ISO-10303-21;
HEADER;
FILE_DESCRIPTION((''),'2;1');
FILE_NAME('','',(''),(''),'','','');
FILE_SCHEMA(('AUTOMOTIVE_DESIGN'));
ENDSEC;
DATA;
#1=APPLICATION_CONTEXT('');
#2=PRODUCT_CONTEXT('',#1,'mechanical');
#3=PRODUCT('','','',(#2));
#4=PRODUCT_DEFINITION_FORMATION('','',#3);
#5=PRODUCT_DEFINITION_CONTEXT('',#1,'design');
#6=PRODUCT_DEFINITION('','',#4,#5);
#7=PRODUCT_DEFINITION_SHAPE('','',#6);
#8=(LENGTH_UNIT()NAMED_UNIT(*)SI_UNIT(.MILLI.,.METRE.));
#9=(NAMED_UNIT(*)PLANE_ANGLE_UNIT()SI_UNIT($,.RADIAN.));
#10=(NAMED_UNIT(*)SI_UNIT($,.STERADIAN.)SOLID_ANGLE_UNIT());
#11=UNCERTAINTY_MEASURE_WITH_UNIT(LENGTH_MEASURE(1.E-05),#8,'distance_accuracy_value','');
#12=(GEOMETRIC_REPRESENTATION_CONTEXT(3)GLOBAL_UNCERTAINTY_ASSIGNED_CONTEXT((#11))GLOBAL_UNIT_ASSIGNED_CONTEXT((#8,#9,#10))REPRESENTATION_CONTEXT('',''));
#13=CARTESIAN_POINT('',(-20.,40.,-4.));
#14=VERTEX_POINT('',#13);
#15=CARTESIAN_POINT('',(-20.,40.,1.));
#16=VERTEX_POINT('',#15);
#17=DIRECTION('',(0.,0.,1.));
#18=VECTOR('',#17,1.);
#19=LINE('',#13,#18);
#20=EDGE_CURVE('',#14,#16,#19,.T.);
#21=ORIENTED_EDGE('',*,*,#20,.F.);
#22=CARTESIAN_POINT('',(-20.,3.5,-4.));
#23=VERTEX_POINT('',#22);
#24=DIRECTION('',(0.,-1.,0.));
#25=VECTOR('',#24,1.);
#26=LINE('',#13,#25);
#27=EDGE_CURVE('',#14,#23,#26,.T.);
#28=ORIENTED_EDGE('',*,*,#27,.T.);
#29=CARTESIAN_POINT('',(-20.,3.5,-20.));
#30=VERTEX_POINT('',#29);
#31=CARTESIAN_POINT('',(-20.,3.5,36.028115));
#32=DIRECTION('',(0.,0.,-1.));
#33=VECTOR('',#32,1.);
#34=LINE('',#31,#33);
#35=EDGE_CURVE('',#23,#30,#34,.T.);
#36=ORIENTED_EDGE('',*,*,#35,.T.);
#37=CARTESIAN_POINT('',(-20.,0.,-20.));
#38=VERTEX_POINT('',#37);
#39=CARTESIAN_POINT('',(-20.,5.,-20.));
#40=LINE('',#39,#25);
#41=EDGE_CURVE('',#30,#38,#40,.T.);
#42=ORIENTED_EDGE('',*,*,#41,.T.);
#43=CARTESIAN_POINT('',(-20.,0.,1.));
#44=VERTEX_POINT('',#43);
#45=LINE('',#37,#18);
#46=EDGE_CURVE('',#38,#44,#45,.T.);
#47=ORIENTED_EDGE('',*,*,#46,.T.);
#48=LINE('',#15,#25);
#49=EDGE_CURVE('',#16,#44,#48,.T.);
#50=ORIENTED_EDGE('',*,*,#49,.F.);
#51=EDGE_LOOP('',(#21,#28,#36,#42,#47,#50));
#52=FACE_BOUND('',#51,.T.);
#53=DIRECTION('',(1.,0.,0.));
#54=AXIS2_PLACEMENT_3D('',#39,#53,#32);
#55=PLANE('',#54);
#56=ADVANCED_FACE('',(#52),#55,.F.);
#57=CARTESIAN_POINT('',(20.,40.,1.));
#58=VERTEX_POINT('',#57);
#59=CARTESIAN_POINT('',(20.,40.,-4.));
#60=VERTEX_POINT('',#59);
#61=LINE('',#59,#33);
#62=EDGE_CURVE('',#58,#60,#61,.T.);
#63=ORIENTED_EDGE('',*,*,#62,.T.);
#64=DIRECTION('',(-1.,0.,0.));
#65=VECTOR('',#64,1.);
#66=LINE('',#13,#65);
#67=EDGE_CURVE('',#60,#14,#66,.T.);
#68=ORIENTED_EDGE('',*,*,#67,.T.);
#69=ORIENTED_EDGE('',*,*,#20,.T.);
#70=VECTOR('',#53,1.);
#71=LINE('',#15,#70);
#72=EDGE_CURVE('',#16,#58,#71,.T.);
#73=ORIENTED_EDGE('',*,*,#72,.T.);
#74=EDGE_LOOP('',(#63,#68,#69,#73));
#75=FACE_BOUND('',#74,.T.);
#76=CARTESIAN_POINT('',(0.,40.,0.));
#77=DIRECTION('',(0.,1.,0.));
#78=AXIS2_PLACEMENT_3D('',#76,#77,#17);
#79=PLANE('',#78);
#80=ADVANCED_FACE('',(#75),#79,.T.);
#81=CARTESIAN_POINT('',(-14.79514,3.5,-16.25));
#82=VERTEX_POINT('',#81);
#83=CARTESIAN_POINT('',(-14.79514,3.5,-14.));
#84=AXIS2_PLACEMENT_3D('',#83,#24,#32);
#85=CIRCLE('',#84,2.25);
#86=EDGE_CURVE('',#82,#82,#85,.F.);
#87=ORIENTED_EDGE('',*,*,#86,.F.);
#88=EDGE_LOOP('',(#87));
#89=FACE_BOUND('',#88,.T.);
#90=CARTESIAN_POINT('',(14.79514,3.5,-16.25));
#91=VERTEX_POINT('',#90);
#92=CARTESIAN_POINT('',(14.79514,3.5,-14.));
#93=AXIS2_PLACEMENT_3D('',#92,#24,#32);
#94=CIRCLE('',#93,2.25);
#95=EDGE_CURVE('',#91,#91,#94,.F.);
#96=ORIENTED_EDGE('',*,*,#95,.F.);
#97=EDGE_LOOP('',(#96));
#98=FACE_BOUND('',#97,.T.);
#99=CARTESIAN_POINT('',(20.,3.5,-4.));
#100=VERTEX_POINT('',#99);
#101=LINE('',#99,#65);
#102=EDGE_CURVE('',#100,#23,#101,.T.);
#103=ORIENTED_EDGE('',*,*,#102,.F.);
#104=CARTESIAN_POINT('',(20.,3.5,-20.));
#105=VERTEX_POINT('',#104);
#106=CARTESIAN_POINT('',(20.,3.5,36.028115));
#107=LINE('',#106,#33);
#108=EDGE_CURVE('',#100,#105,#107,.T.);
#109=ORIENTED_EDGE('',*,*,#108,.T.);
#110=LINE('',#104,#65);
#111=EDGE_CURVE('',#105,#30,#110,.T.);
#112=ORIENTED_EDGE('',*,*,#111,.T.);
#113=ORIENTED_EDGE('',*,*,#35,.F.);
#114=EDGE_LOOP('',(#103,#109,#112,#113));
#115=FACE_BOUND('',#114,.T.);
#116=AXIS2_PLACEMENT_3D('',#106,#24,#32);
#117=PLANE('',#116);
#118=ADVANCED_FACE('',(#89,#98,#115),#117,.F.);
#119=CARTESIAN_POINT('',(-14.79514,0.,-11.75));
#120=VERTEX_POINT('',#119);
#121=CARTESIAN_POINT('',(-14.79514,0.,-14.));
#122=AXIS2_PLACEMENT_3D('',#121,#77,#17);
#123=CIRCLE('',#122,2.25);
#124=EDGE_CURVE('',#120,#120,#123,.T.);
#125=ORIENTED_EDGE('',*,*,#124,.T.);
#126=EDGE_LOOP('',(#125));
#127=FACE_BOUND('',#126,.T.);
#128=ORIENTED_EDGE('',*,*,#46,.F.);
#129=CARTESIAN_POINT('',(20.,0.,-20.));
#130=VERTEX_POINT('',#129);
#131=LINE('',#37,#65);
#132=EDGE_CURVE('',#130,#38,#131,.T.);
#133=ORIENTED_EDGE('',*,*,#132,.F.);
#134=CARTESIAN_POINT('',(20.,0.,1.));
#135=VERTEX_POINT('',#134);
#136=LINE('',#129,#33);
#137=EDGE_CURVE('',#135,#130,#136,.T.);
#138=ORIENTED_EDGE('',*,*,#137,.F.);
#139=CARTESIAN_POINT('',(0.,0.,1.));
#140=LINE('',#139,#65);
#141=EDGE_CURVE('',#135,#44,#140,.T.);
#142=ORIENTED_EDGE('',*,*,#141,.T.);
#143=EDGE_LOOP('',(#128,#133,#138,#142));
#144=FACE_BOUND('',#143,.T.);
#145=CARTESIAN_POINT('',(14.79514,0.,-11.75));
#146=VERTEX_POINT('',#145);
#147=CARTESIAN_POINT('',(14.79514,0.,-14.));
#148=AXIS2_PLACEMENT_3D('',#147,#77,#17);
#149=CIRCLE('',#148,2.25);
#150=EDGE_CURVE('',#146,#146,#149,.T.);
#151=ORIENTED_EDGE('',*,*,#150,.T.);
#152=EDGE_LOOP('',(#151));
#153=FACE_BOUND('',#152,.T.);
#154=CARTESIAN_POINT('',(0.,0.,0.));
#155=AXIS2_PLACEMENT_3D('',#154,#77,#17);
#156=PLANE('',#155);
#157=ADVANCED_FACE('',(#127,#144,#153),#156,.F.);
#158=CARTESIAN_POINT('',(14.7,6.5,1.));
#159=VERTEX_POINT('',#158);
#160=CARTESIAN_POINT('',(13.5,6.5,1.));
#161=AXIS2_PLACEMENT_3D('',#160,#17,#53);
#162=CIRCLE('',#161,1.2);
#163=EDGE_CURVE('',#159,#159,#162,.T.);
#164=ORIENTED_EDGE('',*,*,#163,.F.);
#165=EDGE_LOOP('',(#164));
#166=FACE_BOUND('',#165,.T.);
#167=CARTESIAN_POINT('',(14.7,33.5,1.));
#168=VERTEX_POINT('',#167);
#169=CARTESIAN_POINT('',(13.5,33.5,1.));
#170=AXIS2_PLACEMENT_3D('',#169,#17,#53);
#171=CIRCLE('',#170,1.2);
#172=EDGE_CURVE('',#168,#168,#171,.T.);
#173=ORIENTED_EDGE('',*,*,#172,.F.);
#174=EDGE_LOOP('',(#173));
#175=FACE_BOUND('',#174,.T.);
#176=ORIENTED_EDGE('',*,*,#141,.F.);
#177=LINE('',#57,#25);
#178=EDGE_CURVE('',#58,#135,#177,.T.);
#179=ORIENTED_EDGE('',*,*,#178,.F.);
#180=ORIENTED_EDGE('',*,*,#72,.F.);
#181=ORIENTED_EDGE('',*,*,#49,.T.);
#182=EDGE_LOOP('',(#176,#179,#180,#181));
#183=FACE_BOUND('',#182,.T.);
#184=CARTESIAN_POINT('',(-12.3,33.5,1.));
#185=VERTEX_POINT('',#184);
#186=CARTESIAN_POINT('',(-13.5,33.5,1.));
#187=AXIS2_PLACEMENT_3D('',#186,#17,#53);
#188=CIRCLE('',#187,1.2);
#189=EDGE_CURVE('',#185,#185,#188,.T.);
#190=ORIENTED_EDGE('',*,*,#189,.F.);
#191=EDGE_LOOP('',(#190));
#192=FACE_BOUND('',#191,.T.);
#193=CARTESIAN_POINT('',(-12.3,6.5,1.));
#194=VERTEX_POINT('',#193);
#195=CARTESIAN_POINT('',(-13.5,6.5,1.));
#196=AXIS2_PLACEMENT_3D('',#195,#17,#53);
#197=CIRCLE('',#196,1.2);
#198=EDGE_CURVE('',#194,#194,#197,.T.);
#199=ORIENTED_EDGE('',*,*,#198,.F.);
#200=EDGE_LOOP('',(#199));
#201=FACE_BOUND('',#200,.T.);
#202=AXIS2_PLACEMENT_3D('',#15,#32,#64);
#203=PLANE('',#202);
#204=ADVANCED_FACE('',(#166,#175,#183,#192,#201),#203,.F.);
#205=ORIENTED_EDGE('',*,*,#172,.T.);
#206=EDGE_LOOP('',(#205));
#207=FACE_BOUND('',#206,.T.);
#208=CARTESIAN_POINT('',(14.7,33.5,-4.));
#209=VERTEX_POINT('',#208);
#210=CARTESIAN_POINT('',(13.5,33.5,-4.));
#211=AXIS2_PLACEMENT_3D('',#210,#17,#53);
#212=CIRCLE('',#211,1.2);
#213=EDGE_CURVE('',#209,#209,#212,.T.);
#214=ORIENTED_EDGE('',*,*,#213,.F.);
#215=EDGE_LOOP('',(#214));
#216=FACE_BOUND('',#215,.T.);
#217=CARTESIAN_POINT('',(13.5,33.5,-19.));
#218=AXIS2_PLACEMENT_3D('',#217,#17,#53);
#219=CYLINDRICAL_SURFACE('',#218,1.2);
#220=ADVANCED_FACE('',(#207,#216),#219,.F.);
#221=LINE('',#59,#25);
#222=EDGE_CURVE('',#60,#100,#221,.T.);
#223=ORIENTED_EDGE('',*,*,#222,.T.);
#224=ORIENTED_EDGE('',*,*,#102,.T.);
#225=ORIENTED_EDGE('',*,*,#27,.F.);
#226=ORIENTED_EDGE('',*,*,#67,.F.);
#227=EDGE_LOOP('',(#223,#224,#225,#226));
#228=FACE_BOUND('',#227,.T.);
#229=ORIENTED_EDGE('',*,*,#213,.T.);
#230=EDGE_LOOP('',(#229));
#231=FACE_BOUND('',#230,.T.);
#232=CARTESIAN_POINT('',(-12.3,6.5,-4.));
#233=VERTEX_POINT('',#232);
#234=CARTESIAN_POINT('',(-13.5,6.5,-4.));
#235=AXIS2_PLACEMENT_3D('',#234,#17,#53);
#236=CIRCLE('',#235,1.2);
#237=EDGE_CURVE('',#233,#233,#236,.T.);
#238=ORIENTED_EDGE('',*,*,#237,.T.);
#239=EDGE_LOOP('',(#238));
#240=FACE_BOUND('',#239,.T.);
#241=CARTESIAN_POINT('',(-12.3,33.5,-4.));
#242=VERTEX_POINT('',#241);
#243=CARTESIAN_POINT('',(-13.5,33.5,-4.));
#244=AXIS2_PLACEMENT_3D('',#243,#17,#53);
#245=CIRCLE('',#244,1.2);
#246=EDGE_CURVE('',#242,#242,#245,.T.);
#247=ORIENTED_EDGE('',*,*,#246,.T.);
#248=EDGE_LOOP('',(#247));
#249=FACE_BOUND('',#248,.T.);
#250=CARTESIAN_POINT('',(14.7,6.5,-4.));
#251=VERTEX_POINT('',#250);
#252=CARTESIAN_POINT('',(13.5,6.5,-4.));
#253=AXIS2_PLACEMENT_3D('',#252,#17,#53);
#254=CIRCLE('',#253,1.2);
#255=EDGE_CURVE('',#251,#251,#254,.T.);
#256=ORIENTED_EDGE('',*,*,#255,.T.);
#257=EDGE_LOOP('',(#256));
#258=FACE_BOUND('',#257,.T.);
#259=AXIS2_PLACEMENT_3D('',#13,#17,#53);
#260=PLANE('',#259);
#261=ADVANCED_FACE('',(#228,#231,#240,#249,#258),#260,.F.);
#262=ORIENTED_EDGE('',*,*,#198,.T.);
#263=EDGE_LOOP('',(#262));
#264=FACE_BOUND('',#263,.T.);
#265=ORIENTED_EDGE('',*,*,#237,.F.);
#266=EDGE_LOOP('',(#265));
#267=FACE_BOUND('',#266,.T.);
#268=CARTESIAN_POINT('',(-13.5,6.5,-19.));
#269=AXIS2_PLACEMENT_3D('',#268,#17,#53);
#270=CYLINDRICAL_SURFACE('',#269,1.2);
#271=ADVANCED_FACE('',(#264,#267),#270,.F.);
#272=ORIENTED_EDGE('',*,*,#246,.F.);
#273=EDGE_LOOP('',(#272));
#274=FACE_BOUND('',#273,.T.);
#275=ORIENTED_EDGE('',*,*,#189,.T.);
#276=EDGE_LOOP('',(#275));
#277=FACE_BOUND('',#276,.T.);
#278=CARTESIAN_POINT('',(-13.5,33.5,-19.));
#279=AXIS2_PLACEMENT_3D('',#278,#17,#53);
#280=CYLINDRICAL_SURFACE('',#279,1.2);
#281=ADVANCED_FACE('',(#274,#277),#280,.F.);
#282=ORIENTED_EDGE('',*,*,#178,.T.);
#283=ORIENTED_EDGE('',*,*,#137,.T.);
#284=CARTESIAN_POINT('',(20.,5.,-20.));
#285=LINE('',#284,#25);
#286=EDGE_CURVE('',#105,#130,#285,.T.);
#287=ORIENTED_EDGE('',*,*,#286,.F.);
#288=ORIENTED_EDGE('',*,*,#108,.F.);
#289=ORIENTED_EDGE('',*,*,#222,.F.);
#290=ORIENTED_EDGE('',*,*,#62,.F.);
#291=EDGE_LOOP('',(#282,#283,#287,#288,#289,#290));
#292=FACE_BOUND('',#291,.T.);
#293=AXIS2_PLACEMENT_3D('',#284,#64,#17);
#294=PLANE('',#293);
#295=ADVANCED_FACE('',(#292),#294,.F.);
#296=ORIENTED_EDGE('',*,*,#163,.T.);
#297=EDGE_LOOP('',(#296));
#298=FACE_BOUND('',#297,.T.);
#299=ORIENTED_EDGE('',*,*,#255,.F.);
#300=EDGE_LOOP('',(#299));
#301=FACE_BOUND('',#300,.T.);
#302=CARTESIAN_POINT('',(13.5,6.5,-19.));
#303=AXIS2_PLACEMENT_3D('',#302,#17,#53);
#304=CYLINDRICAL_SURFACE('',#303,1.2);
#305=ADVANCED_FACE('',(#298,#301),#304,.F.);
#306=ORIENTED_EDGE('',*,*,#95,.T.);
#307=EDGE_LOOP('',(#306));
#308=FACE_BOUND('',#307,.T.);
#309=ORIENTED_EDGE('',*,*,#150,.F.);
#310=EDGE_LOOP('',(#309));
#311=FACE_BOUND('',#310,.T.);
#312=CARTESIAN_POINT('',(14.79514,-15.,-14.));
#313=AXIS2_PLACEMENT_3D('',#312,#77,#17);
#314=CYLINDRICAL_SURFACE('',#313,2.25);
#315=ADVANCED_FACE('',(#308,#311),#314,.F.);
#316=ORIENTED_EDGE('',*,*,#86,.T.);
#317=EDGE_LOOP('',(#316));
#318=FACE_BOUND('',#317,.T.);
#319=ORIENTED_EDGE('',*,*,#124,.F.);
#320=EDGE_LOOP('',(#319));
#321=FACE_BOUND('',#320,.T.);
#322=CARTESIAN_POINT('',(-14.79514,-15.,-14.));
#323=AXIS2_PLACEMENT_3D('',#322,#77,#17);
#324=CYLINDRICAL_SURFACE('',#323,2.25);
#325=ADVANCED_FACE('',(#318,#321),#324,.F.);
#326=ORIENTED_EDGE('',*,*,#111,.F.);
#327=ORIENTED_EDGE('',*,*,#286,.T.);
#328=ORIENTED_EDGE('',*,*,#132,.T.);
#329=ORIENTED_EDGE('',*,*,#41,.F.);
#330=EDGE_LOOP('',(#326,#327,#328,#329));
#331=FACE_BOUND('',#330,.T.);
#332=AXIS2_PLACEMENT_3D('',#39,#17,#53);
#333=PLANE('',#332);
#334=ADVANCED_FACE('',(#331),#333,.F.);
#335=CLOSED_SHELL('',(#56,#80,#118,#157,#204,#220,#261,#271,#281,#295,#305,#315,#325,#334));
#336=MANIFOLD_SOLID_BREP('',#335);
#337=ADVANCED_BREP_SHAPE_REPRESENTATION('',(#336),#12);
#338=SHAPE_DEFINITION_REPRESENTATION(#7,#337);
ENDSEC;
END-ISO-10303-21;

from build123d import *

# Parameters (mm, degrees)
SKETCH_1_W          = 40
SKETCH_1_H          = 40
EXTRUDE_1_DEPTH     = 5
SKETCH_2_W          = 40
SKETCH_2_H          = 5
EXTRUDE_2_DEPTH     = 35
SKETCH_3_W          = 40
SKETCH_3_H          = 10
EXTRUDE_3_DEPTH     = 5
EXTRUDE_4_DEPTH     = 5
SKETCH_5_R          = 2.25
CUT_EXTRUDE_1_DEPTH = 20
CUT_EXTRUDE_2_DEPTH = 40
SKETCH_7_W          = 40
SKETCH_7_H          = 19
CUT_EXTRUDE_3_DEPTH = 20
SKETCH_8_W          = 40
SKETCH_8_H          = 1.5
CUT_EXTRUDE_4_DEPTH = 16
SKETCH_9_R          = 1.2
CUT_EXTRUDE_5_DEPTH = 20


with BuildPart() as part:
    # 草图1 → 凸台-拉伸1 (new body)
    with BuildSketch(Plane(origin=(0, 0, 0), x_dir=(1, 0, 0), z_dir=(0, 1, 0))):
        Rectangle(SKETCH_1_W, SKETCH_1_H)
    extrude(amount=EXTRUDE_1_DEPTH)

    # 草图2 → 凸台-拉伸2 (add)
    with BuildSketch(Plane(origin=(0, 5, 0), x_dir=(1, 0, 0), z_dir=(0, 1, 0))):
        with Locations((0, 1.5)):
            Rectangle(SKETCH_2_W, SKETCH_2_H)
    extrude(amount=EXTRUDE_2_DEPTH)

    # 草图3 → 凸台-拉伸3 (add)
    with BuildSketch(Plane.XZ):
        with Locations((0, 15)):
            Rectangle(SKETCH_3_W, SKETCH_3_H)
    extrude(amount=EXTRUDE_3_DEPTH)

    # 草图4 → 凸台-拉伸4 (add)
    with BuildSketch(Plane.XZ.offset(5)):
        Polygon((-20, 10), (-20, -20), (20, -20), (20, 10), (20, 20), (-20, 20), align=None)
    extrude(amount=EXTRUDE_4_DEPTH)

    # 草图5 → 切除-拉伸1 (cut)
    with BuildSketch(Plane(origin=(0, 5, 0), x_dir=(1, 0, 0), z_dir=(0, 1, 0))):
        with Locations(Location((-14.795139738, 14, 0), (0, 0, 90))):
            Circle(SKETCH_5_R)
        with Locations(Location((14.795139738, 14, 0), (0, 0, 90))):
            Circle(SKETCH_5_R)
    extrude(amount=-CUT_EXTRUDE_1_DEPTH, mode=Mode.SUBTRACT)

    # 草图6 → 切除-拉伸2 (cut)
    with BuildSketch(Plane.ZY.offset(20)):
        Polygon((10, 0), (20, 0), (20, -10), (-20, -10), (-20, -5), (10, -5), align=None)
    extrude(amount=-CUT_EXTRUDE_2_DEPTH, mode=Mode.SUBTRACT)

    # 草图7 → 切除-拉伸3 (cut)
    with BuildSketch(Plane(origin=(0, 5, 0), x_dir=(1, 0, 0), z_dir=(0, 1, 0))):
        with Locations((0, -10.5)):
            Rectangle(SKETCH_7_W, SKETCH_7_H)
    extrude(amount=-CUT_EXTRUDE_3_DEPTH, mode=Mode.SUBTRACT)

    # 草图8 → 切除-拉伸4 (cut)
    with BuildSketch(Plane(origin=(0, 0, -20), x_dir=(-1, 0, 0), z_dir=(0, 0, -1))):
        with Locations((0, 4.25)):
            Rectangle(SKETCH_8_W, SKETCH_8_H)
    extrude(amount=-CUT_EXTRUDE_4_DEPTH, mode=Mode.SUBTRACT)

    # 草图9 → 切除-拉伸5 (cut)
    with BuildSketch(Plane.XY.offset(1)):
        with Locations((13.5, 6.5)):
            Circle(SKETCH_9_R)
        with Locations((-13.5, 6.5)):
            Circle(SKETCH_9_R)
        with Locations((-13.5, 33.5)):
            Circle(SKETCH_9_R)
        with Locations((13.5, 33.5)):
            Circle(SKETCH_9_R)
    extrude(amount=-CUT_EXTRUDE_5_DEPTH, mode=Mode.SUBTRACT)


solid = part.part
